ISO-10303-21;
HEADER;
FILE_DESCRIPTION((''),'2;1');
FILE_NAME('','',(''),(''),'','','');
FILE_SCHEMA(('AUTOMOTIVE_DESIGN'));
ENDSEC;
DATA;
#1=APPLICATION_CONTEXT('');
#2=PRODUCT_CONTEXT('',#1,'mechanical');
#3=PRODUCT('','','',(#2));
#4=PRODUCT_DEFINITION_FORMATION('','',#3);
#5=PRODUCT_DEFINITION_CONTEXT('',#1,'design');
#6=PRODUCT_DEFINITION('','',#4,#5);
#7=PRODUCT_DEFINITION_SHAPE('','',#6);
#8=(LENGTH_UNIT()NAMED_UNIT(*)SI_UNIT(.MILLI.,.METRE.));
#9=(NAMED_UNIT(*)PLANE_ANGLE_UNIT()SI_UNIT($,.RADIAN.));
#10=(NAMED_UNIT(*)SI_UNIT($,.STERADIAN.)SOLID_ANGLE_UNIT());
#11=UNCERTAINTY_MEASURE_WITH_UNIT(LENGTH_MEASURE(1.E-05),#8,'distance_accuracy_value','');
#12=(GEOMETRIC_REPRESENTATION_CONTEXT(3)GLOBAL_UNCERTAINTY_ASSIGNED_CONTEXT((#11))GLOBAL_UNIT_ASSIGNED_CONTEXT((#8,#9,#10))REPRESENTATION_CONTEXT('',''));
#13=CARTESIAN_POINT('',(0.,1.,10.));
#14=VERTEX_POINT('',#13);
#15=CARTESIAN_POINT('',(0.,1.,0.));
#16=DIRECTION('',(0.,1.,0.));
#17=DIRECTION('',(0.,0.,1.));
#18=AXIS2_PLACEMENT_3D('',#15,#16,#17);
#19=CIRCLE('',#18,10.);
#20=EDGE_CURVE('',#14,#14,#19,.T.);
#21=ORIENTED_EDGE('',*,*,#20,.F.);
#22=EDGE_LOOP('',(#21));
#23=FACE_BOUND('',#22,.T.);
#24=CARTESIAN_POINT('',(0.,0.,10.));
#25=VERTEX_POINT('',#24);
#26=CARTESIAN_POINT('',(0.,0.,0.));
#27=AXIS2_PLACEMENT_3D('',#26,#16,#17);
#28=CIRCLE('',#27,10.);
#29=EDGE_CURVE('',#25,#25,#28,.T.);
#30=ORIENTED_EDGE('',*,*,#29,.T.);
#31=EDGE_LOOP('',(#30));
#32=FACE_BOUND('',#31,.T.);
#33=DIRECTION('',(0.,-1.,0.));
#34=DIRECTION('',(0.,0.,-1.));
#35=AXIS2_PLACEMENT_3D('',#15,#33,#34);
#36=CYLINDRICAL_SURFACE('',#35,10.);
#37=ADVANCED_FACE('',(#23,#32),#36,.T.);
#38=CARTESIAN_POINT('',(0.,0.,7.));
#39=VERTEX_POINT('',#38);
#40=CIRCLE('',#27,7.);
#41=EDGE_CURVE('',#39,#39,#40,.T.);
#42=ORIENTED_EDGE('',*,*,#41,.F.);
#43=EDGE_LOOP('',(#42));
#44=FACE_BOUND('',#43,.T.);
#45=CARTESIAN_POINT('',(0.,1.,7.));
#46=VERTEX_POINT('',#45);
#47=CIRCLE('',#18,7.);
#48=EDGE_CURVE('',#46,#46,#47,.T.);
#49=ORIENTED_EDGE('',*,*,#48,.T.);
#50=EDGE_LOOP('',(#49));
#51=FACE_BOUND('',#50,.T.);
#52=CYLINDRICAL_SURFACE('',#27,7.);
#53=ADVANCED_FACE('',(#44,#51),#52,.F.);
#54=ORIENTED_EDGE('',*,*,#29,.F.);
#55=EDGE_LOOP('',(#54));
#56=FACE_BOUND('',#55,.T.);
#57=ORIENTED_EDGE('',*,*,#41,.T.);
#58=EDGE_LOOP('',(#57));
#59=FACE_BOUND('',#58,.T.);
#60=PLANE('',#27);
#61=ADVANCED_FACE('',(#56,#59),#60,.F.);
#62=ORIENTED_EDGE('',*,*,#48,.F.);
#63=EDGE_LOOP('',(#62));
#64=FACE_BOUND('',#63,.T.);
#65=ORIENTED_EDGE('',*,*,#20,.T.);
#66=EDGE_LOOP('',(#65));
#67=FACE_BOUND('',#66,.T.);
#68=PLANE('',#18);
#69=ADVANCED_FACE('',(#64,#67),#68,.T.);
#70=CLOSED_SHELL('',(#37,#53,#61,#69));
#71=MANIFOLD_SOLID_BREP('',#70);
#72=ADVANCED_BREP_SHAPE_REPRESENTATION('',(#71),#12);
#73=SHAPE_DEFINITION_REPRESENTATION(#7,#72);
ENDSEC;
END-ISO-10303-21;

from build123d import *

# Parameters (mm, degrees)
SKETCH1_R           = 10
BOSS_EXTRUDE1_DEPTH = 1
SKETCH5_R           = 7
CUT_EXTRUDE1_DEPTH  = 2


with BuildPart() as part:
    # Sketch1 → Boss-Extrude1 (new body)
    with BuildSketch(Plane(origin=(0, 0, 0), x_dir=(1, 0, 0), z_dir=(0, 1, 0))):
        Circle(SKETCH1_R)
    extrude(amount=BOSS_EXTRUDE1_DEPTH)

    # Sketch5 → Cut-Extrude1 (cut, through all)
    with BuildSketch(Plane(origin=(0, 1, 0), x_dir=(-1, 0, 0), z_dir=(0, 1, 0))):
        Circle(SKETCH5_R)
    extrude(amount=-CUT_EXTRUDE1_DEPTH, mode=Mode.SUBTRACT)


solid = part.part
